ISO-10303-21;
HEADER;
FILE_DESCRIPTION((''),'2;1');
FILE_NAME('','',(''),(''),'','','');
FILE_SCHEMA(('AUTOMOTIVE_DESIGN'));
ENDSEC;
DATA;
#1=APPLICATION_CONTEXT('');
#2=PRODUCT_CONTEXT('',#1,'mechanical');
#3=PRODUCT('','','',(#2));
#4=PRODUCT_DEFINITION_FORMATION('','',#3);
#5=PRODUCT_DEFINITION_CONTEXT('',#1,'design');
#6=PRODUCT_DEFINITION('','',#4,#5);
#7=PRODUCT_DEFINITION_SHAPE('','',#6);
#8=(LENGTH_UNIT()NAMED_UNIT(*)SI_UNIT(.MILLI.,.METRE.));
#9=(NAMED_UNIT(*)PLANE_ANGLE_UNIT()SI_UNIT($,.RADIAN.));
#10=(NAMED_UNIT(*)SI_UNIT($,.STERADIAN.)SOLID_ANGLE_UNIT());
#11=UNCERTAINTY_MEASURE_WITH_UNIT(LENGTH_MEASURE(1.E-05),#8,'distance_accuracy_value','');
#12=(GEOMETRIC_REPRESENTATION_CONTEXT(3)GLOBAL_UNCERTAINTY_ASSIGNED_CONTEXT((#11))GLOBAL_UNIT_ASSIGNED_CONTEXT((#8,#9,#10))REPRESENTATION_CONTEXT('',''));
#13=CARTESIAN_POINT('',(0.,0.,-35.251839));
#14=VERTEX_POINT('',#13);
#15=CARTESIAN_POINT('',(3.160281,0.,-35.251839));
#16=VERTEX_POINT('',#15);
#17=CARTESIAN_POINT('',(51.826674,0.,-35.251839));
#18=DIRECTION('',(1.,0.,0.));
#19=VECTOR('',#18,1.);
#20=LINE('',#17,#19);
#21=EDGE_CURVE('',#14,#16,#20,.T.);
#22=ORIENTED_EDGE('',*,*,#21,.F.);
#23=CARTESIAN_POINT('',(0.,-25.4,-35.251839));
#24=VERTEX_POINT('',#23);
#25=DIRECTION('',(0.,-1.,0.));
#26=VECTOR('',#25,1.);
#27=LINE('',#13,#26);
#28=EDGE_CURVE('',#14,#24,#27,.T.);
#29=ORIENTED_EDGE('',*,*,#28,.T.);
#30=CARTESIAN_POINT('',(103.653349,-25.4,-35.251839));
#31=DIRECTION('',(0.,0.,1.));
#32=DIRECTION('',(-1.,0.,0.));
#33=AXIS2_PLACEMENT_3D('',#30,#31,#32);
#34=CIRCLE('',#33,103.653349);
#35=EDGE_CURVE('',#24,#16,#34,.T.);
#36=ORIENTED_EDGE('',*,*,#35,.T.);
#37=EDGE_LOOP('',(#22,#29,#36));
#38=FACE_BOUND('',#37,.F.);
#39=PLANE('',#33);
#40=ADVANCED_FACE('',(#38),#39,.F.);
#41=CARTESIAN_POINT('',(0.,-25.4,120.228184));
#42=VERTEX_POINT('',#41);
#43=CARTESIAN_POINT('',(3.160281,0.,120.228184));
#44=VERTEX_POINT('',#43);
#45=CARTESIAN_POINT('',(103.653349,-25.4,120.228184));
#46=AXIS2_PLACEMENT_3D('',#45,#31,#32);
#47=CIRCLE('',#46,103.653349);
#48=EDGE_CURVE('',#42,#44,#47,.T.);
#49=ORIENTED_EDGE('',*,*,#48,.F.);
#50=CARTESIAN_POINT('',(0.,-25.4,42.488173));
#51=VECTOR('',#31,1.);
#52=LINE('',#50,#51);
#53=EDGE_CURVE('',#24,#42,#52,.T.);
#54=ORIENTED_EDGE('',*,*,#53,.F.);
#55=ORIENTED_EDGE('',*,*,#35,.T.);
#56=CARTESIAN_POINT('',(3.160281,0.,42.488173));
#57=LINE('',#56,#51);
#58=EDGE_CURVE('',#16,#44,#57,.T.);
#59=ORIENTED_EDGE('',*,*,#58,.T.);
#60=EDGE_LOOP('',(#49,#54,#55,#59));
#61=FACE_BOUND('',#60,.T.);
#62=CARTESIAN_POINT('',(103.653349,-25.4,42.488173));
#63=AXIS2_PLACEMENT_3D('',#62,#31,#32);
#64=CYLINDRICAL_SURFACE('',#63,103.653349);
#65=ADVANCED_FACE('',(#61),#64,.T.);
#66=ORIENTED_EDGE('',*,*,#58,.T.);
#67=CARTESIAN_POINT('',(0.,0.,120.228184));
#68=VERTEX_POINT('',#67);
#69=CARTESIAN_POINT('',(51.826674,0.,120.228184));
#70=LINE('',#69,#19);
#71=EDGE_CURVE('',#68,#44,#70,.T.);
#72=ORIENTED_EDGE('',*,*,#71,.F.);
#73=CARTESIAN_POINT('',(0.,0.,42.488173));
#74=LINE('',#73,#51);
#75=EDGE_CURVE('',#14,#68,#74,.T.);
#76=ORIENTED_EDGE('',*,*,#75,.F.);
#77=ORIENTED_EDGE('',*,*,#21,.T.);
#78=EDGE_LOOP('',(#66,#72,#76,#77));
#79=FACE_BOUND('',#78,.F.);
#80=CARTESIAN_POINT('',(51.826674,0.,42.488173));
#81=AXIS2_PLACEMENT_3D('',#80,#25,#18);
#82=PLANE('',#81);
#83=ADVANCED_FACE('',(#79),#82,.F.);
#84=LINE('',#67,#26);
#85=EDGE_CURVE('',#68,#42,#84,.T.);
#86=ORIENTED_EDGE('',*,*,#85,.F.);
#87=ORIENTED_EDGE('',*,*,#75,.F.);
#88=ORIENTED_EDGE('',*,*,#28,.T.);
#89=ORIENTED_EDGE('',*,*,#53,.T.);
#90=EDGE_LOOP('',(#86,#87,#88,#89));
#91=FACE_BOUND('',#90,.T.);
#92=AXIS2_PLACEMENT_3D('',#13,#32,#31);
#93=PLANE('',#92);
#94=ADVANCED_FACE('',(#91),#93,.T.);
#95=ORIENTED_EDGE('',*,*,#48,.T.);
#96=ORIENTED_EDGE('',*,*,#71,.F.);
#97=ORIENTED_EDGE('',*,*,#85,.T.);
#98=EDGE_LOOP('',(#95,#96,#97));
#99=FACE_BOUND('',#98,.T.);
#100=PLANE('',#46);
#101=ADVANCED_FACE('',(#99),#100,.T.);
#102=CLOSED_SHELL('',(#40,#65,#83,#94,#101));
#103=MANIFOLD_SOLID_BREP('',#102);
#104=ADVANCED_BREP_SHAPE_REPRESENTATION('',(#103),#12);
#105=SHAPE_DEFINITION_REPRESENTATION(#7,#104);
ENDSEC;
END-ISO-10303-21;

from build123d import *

# Parameters (mm, degrees)
F0_W      = 103.6533489823
F0_H      = 155.4800234735
F1_DEPTH  = 25.4
F1_FACE_W = 103.6533489823
F1_FACE_H = 155.4800234735


with BuildPart() as f1:
    # F0 (on Front) → F1 (new body)
    with BuildSketch(Plane.XZ):
        with Locations((51.8266744912, 42.4881726503)):
            Rectangle(F0_W, F0_H)
    extrude(amount=F1_DEPTH)

    # F1_face (on face) → F2 (revolve)
    with BuildSketch(Plane(origin=(51.8266744912, -25.4, 42.4881726503), x_dir=(1, 0, 0), z_dir=(0, -1, 0))):
        Rectangle(F1_FACE_W, F1_FACE_H)
    revolve(axis=Axis((103.6533489823, -25.4, 42.4881726503), (0, 0, 1)))


solid = f1.part
